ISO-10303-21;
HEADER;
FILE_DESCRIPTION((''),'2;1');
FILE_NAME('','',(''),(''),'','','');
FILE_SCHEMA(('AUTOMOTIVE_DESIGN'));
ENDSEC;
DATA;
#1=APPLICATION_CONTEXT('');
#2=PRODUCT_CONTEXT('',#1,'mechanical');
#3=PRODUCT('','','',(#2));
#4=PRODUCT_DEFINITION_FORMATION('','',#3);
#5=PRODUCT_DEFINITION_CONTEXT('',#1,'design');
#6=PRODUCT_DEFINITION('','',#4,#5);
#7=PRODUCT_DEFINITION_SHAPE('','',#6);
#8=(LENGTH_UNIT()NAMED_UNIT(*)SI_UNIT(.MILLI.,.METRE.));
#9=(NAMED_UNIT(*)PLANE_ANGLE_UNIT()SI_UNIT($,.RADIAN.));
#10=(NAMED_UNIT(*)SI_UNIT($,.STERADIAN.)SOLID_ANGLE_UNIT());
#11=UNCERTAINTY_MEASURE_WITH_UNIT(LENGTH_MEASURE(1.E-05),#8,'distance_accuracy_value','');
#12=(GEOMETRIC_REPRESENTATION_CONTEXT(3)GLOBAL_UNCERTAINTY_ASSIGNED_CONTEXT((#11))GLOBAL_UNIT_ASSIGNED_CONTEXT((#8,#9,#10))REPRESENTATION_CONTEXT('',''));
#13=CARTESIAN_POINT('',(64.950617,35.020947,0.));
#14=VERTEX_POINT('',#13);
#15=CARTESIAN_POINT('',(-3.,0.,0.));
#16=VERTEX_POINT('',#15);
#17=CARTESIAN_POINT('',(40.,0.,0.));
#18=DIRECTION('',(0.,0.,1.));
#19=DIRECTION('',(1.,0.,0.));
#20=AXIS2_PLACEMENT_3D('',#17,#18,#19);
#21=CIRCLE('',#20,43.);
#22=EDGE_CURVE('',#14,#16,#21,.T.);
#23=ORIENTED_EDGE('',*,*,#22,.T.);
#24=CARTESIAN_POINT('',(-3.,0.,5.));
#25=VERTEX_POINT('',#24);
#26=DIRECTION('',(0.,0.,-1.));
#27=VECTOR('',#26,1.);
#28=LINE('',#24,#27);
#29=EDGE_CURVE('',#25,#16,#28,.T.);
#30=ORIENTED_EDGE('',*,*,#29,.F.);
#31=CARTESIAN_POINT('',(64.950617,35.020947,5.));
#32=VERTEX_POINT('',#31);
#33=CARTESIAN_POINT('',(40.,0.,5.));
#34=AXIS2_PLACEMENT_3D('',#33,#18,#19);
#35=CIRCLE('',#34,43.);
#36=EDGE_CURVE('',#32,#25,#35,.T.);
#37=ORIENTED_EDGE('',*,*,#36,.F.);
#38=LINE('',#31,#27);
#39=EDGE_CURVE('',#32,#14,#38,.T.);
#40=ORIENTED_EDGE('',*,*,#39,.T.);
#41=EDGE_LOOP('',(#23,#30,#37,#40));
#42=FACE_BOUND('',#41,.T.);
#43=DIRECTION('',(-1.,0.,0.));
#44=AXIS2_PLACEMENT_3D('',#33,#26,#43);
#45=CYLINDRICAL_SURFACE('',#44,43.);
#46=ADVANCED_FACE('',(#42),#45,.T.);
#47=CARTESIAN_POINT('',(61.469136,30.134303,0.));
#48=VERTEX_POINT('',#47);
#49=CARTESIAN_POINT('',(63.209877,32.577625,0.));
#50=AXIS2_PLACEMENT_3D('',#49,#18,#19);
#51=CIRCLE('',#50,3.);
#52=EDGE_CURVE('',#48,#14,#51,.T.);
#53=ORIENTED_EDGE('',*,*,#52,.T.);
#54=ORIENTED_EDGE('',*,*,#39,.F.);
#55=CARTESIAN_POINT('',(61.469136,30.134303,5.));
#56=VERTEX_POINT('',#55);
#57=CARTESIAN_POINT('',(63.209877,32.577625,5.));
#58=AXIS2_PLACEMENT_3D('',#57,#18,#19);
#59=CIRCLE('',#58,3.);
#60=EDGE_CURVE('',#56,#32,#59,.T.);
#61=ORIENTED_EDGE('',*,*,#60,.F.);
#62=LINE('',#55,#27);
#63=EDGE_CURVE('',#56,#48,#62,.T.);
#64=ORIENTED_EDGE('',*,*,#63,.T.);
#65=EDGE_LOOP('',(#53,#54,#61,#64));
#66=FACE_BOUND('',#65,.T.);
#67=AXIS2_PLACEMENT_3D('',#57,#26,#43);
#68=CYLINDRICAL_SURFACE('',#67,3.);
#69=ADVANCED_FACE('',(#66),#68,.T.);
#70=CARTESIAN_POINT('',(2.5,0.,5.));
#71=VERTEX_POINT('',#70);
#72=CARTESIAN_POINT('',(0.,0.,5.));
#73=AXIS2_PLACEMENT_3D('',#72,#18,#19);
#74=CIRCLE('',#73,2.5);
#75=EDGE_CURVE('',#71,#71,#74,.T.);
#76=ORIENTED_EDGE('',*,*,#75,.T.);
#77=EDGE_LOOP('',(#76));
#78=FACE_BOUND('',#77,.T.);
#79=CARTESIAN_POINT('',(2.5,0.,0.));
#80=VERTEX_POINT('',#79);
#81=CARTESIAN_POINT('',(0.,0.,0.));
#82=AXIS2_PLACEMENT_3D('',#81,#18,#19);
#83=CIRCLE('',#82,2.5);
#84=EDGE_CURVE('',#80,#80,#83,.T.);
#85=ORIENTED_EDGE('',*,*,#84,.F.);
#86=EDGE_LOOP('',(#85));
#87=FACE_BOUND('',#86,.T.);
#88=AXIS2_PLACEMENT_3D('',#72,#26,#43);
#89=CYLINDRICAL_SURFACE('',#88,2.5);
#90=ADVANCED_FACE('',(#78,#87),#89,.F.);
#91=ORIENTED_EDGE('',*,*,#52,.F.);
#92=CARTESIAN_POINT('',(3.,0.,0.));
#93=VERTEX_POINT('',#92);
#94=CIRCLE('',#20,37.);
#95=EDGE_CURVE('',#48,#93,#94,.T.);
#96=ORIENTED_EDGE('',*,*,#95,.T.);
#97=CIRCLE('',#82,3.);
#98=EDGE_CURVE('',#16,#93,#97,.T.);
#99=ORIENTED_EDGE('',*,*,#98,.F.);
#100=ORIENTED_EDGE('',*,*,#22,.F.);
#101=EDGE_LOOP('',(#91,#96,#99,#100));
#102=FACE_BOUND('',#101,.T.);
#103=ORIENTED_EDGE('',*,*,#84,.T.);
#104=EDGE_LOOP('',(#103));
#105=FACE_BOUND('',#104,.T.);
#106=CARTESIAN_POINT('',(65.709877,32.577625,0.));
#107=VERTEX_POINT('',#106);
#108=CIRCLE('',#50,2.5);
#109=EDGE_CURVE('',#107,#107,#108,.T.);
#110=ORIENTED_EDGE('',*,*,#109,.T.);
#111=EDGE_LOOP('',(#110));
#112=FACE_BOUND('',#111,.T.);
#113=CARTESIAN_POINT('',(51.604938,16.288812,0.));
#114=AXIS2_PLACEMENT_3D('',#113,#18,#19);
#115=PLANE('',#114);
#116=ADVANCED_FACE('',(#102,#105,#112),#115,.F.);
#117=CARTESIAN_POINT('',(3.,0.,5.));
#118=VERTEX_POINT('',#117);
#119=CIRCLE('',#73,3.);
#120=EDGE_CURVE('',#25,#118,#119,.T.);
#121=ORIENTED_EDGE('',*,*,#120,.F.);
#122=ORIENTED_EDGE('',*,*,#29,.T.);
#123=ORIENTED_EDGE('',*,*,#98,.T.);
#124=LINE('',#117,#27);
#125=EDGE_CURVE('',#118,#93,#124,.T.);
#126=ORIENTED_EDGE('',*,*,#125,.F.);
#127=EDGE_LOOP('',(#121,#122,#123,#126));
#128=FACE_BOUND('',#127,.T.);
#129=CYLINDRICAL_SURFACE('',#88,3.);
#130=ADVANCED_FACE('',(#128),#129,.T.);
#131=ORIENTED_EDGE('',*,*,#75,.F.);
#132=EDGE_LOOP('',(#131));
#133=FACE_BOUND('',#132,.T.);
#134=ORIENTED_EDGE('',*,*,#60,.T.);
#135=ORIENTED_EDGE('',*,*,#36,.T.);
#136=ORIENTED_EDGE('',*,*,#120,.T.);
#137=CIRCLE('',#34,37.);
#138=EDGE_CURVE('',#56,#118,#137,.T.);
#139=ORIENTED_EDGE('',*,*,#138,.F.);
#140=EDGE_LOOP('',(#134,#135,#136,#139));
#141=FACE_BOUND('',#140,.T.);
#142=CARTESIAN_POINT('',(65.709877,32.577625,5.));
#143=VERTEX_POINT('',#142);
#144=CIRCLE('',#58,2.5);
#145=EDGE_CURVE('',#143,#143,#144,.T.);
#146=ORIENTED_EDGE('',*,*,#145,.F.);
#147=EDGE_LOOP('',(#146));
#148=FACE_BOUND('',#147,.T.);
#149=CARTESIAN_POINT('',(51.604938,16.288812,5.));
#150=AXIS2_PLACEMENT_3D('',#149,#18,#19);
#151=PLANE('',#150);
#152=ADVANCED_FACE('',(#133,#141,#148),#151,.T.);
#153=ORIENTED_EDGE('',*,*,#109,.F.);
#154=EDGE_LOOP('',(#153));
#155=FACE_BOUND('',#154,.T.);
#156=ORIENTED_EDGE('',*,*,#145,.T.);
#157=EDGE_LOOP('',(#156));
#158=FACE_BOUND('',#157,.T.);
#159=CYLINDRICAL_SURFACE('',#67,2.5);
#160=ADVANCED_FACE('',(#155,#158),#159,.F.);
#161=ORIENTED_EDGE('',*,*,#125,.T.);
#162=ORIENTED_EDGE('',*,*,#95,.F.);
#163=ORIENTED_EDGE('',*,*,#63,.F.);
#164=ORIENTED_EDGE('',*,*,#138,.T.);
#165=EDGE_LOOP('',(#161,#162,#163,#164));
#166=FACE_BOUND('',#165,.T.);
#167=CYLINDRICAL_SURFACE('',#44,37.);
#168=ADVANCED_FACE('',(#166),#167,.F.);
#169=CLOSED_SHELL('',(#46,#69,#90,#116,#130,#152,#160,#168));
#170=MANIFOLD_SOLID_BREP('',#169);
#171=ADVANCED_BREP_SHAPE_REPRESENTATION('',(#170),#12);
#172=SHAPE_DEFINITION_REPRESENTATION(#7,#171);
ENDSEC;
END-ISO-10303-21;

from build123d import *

# Parameters (mm, degrees)
SKETCH1_R           = 2.5
BOSS_EXTRUDE1_DEPTH = 5


with BuildPart() as part:
    # Sketch1 → Boss-Extrude1 (new body)
    with BuildSketch(Plane.XY):
        with BuildLine():
            ThreePointArc((64.950617284, 35.020946548), (20.300717566, 38.222222222), (-3, 0))
            ThreePointArc((-3, 0), (0, -3), (3, 0))
            ThreePointArc((3, 0), (23.04945465, 32.888888889), (61.469135802, 30.134302844))
            ThreePointArc((61.469135802, 30.134302844), (65.653198395, 30.836883955), (64.950617284, 35.020946548))
        make_face()
        Circle(SKETCH1_R, mode=Mode.SUBTRACT)
        with Locations((63.209876543, 32.577624696)):
            Circle(SKETCH1_R, mode=Mode.SUBTRACT)
    extrude(amount=BOSS_EXTRUDE1_DEPTH)


solid = part.part
